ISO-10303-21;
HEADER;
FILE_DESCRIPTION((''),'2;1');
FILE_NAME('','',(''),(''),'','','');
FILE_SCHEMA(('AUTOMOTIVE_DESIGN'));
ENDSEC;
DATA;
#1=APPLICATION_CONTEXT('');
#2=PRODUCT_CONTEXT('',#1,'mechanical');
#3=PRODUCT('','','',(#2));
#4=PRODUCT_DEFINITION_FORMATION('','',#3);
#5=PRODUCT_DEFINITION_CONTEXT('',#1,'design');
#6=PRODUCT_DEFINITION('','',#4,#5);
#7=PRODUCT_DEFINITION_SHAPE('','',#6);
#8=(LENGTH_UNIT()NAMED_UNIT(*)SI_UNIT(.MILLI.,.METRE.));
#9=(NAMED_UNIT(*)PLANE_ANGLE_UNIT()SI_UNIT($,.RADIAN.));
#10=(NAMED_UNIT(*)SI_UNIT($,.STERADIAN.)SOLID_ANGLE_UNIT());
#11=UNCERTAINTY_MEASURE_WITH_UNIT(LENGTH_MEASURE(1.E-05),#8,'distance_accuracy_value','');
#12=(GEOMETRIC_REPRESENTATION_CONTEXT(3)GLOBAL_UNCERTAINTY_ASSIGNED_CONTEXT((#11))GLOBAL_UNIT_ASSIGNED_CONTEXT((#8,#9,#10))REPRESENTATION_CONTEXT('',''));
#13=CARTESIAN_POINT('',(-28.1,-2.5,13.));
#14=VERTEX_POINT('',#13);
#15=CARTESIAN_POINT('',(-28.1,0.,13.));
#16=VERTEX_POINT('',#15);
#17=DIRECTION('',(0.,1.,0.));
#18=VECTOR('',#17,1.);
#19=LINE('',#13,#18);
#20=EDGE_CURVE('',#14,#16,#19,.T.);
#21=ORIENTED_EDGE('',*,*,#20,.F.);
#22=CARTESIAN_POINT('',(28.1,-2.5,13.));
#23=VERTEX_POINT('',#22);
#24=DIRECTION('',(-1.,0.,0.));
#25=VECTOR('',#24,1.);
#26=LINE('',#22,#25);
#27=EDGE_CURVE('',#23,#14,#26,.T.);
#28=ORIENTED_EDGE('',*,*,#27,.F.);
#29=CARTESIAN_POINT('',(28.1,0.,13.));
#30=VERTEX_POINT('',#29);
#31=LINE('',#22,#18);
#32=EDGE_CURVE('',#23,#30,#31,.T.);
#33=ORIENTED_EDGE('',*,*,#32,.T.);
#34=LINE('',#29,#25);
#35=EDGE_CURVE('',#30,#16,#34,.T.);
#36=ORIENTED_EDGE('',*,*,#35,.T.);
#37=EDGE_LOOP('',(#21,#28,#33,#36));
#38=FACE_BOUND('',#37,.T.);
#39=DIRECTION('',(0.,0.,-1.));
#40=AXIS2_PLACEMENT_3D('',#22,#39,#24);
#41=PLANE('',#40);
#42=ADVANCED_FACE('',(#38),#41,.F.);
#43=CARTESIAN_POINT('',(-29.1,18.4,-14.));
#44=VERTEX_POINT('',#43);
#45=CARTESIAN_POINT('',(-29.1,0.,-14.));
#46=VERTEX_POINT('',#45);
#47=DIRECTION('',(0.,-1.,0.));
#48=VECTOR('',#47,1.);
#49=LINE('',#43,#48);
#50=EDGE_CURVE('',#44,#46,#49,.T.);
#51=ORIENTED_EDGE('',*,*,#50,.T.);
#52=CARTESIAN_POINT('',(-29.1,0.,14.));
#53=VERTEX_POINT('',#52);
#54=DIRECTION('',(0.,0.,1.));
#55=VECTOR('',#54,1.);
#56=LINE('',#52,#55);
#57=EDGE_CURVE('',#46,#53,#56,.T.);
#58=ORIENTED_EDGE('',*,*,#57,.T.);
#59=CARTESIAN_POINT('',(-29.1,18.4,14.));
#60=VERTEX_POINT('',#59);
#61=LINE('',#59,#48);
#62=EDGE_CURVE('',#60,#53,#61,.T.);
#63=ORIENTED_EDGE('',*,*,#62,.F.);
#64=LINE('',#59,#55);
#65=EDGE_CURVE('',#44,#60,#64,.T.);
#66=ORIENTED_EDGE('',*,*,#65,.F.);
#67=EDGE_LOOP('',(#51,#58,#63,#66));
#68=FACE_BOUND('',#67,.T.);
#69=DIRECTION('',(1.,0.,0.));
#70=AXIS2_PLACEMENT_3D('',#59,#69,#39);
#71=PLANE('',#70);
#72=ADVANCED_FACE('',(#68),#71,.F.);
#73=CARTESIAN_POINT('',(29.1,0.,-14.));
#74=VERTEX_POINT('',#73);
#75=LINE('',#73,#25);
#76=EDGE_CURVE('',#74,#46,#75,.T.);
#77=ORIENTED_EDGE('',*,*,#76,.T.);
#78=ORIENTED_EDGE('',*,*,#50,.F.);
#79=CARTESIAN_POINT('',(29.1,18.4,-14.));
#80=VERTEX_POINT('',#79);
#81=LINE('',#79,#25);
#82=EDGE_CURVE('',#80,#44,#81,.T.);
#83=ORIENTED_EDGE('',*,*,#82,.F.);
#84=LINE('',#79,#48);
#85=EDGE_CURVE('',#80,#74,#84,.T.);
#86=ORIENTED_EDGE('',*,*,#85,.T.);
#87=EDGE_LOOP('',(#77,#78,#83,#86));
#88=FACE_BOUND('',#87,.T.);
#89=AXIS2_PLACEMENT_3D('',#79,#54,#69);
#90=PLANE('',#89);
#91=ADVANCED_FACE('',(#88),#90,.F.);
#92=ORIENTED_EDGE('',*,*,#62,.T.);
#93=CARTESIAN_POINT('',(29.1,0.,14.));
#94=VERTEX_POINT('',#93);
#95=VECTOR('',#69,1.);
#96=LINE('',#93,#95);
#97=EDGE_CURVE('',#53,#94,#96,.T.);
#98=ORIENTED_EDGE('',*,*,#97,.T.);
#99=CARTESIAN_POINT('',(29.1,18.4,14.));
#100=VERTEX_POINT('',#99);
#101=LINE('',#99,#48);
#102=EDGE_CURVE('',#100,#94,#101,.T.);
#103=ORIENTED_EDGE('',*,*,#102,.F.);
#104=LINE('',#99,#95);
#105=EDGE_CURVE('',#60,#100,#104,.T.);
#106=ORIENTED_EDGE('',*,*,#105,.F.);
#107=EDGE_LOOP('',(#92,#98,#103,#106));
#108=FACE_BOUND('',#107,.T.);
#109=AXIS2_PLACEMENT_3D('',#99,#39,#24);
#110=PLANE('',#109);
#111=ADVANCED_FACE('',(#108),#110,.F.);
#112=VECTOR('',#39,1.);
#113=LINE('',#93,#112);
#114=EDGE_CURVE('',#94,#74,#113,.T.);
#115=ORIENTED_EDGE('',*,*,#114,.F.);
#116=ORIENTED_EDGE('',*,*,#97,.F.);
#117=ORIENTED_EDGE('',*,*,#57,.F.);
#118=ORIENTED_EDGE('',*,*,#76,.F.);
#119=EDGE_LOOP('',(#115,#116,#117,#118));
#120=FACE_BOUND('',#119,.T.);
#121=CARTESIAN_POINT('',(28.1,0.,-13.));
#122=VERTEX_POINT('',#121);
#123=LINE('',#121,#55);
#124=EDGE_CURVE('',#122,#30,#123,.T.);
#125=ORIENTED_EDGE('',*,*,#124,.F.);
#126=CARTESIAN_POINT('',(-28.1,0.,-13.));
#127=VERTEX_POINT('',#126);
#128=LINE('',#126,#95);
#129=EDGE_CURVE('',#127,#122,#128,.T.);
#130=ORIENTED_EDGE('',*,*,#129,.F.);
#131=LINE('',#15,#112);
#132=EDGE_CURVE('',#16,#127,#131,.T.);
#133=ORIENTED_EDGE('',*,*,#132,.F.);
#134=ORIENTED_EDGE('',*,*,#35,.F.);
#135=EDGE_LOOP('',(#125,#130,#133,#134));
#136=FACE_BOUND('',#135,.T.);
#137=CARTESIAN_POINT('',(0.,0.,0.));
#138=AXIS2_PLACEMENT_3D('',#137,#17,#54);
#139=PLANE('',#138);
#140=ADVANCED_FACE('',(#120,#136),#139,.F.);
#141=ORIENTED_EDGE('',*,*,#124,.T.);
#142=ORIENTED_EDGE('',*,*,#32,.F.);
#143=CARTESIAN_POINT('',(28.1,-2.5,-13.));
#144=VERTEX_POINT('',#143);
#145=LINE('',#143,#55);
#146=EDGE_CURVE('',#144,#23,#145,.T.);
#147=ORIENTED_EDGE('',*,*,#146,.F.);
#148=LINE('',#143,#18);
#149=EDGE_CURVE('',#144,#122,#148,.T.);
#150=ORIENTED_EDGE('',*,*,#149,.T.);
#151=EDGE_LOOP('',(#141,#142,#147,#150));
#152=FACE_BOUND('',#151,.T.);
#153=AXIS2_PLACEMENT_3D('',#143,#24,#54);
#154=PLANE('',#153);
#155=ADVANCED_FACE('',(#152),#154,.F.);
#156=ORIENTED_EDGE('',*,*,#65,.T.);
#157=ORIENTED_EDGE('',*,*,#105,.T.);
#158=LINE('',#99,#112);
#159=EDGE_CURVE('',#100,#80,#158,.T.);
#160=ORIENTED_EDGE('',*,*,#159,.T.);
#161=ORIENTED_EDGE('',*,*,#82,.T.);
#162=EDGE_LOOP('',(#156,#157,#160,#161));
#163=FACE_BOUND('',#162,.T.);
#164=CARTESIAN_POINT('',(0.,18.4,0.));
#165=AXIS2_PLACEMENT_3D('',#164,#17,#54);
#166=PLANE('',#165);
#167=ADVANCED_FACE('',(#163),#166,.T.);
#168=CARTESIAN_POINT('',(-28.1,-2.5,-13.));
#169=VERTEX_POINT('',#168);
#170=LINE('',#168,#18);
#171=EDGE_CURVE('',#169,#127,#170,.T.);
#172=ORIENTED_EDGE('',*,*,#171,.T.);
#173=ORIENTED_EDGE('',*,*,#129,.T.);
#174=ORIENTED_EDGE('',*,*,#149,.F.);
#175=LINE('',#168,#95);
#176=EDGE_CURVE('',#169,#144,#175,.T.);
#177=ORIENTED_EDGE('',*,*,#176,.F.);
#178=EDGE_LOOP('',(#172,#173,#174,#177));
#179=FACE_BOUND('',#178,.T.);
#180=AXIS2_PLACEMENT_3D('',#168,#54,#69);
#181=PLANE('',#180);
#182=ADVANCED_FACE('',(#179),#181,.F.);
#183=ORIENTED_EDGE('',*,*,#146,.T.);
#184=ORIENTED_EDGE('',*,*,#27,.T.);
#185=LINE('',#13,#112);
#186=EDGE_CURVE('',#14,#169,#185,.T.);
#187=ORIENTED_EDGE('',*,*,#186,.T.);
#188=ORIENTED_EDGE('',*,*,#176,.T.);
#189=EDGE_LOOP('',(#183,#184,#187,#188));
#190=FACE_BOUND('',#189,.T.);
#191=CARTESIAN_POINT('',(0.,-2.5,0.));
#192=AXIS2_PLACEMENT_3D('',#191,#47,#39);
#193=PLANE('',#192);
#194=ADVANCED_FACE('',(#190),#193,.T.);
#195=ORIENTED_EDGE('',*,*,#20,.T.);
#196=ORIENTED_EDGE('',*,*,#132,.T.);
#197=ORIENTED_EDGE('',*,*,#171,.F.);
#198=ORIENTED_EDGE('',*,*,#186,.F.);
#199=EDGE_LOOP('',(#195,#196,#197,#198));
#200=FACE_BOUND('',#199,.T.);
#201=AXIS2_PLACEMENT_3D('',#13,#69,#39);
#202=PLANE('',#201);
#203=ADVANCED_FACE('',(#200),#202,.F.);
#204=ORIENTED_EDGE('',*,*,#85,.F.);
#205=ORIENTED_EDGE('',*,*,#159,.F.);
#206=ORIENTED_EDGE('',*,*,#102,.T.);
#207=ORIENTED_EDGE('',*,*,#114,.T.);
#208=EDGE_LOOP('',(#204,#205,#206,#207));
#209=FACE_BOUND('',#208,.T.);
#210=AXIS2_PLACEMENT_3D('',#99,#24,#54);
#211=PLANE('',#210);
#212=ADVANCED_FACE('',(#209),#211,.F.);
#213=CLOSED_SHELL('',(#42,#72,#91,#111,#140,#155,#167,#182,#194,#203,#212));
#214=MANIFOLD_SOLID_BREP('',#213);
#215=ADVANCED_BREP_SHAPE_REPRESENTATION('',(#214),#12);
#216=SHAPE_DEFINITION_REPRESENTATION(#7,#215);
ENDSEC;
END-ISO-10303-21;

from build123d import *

# Parameters (mm, degrees)
SKETCH_1_W      = 58.2
SKETCH_1_H      = 28
EXTRUDE_1_DEPTH = 18.4
SKETCH_2_W      = 56.2
SKETCH_2_H      = 26
EXTRUDE_2_DEPTH = 2.5


with BuildPart() as part:
    # 草图1 → 凸台-拉伸1 (new body)
    with BuildSketch(Plane(origin=(0, 0, 0), x_dir=(1, 0, 0), z_dir=(0, 1, 0))):
        Rectangle(SKETCH_1_W, SKETCH_1_H)
    extrude(amount=EXTRUDE_1_DEPTH)

    # 草图2 → 凸台-拉伸2 (add)
    with BuildSketch(Plane.XZ):
        Rectangle(SKETCH_2_W, SKETCH_2_H)
    extrude(amount=EXTRUDE_2_DEPTH)


solid = part.part
